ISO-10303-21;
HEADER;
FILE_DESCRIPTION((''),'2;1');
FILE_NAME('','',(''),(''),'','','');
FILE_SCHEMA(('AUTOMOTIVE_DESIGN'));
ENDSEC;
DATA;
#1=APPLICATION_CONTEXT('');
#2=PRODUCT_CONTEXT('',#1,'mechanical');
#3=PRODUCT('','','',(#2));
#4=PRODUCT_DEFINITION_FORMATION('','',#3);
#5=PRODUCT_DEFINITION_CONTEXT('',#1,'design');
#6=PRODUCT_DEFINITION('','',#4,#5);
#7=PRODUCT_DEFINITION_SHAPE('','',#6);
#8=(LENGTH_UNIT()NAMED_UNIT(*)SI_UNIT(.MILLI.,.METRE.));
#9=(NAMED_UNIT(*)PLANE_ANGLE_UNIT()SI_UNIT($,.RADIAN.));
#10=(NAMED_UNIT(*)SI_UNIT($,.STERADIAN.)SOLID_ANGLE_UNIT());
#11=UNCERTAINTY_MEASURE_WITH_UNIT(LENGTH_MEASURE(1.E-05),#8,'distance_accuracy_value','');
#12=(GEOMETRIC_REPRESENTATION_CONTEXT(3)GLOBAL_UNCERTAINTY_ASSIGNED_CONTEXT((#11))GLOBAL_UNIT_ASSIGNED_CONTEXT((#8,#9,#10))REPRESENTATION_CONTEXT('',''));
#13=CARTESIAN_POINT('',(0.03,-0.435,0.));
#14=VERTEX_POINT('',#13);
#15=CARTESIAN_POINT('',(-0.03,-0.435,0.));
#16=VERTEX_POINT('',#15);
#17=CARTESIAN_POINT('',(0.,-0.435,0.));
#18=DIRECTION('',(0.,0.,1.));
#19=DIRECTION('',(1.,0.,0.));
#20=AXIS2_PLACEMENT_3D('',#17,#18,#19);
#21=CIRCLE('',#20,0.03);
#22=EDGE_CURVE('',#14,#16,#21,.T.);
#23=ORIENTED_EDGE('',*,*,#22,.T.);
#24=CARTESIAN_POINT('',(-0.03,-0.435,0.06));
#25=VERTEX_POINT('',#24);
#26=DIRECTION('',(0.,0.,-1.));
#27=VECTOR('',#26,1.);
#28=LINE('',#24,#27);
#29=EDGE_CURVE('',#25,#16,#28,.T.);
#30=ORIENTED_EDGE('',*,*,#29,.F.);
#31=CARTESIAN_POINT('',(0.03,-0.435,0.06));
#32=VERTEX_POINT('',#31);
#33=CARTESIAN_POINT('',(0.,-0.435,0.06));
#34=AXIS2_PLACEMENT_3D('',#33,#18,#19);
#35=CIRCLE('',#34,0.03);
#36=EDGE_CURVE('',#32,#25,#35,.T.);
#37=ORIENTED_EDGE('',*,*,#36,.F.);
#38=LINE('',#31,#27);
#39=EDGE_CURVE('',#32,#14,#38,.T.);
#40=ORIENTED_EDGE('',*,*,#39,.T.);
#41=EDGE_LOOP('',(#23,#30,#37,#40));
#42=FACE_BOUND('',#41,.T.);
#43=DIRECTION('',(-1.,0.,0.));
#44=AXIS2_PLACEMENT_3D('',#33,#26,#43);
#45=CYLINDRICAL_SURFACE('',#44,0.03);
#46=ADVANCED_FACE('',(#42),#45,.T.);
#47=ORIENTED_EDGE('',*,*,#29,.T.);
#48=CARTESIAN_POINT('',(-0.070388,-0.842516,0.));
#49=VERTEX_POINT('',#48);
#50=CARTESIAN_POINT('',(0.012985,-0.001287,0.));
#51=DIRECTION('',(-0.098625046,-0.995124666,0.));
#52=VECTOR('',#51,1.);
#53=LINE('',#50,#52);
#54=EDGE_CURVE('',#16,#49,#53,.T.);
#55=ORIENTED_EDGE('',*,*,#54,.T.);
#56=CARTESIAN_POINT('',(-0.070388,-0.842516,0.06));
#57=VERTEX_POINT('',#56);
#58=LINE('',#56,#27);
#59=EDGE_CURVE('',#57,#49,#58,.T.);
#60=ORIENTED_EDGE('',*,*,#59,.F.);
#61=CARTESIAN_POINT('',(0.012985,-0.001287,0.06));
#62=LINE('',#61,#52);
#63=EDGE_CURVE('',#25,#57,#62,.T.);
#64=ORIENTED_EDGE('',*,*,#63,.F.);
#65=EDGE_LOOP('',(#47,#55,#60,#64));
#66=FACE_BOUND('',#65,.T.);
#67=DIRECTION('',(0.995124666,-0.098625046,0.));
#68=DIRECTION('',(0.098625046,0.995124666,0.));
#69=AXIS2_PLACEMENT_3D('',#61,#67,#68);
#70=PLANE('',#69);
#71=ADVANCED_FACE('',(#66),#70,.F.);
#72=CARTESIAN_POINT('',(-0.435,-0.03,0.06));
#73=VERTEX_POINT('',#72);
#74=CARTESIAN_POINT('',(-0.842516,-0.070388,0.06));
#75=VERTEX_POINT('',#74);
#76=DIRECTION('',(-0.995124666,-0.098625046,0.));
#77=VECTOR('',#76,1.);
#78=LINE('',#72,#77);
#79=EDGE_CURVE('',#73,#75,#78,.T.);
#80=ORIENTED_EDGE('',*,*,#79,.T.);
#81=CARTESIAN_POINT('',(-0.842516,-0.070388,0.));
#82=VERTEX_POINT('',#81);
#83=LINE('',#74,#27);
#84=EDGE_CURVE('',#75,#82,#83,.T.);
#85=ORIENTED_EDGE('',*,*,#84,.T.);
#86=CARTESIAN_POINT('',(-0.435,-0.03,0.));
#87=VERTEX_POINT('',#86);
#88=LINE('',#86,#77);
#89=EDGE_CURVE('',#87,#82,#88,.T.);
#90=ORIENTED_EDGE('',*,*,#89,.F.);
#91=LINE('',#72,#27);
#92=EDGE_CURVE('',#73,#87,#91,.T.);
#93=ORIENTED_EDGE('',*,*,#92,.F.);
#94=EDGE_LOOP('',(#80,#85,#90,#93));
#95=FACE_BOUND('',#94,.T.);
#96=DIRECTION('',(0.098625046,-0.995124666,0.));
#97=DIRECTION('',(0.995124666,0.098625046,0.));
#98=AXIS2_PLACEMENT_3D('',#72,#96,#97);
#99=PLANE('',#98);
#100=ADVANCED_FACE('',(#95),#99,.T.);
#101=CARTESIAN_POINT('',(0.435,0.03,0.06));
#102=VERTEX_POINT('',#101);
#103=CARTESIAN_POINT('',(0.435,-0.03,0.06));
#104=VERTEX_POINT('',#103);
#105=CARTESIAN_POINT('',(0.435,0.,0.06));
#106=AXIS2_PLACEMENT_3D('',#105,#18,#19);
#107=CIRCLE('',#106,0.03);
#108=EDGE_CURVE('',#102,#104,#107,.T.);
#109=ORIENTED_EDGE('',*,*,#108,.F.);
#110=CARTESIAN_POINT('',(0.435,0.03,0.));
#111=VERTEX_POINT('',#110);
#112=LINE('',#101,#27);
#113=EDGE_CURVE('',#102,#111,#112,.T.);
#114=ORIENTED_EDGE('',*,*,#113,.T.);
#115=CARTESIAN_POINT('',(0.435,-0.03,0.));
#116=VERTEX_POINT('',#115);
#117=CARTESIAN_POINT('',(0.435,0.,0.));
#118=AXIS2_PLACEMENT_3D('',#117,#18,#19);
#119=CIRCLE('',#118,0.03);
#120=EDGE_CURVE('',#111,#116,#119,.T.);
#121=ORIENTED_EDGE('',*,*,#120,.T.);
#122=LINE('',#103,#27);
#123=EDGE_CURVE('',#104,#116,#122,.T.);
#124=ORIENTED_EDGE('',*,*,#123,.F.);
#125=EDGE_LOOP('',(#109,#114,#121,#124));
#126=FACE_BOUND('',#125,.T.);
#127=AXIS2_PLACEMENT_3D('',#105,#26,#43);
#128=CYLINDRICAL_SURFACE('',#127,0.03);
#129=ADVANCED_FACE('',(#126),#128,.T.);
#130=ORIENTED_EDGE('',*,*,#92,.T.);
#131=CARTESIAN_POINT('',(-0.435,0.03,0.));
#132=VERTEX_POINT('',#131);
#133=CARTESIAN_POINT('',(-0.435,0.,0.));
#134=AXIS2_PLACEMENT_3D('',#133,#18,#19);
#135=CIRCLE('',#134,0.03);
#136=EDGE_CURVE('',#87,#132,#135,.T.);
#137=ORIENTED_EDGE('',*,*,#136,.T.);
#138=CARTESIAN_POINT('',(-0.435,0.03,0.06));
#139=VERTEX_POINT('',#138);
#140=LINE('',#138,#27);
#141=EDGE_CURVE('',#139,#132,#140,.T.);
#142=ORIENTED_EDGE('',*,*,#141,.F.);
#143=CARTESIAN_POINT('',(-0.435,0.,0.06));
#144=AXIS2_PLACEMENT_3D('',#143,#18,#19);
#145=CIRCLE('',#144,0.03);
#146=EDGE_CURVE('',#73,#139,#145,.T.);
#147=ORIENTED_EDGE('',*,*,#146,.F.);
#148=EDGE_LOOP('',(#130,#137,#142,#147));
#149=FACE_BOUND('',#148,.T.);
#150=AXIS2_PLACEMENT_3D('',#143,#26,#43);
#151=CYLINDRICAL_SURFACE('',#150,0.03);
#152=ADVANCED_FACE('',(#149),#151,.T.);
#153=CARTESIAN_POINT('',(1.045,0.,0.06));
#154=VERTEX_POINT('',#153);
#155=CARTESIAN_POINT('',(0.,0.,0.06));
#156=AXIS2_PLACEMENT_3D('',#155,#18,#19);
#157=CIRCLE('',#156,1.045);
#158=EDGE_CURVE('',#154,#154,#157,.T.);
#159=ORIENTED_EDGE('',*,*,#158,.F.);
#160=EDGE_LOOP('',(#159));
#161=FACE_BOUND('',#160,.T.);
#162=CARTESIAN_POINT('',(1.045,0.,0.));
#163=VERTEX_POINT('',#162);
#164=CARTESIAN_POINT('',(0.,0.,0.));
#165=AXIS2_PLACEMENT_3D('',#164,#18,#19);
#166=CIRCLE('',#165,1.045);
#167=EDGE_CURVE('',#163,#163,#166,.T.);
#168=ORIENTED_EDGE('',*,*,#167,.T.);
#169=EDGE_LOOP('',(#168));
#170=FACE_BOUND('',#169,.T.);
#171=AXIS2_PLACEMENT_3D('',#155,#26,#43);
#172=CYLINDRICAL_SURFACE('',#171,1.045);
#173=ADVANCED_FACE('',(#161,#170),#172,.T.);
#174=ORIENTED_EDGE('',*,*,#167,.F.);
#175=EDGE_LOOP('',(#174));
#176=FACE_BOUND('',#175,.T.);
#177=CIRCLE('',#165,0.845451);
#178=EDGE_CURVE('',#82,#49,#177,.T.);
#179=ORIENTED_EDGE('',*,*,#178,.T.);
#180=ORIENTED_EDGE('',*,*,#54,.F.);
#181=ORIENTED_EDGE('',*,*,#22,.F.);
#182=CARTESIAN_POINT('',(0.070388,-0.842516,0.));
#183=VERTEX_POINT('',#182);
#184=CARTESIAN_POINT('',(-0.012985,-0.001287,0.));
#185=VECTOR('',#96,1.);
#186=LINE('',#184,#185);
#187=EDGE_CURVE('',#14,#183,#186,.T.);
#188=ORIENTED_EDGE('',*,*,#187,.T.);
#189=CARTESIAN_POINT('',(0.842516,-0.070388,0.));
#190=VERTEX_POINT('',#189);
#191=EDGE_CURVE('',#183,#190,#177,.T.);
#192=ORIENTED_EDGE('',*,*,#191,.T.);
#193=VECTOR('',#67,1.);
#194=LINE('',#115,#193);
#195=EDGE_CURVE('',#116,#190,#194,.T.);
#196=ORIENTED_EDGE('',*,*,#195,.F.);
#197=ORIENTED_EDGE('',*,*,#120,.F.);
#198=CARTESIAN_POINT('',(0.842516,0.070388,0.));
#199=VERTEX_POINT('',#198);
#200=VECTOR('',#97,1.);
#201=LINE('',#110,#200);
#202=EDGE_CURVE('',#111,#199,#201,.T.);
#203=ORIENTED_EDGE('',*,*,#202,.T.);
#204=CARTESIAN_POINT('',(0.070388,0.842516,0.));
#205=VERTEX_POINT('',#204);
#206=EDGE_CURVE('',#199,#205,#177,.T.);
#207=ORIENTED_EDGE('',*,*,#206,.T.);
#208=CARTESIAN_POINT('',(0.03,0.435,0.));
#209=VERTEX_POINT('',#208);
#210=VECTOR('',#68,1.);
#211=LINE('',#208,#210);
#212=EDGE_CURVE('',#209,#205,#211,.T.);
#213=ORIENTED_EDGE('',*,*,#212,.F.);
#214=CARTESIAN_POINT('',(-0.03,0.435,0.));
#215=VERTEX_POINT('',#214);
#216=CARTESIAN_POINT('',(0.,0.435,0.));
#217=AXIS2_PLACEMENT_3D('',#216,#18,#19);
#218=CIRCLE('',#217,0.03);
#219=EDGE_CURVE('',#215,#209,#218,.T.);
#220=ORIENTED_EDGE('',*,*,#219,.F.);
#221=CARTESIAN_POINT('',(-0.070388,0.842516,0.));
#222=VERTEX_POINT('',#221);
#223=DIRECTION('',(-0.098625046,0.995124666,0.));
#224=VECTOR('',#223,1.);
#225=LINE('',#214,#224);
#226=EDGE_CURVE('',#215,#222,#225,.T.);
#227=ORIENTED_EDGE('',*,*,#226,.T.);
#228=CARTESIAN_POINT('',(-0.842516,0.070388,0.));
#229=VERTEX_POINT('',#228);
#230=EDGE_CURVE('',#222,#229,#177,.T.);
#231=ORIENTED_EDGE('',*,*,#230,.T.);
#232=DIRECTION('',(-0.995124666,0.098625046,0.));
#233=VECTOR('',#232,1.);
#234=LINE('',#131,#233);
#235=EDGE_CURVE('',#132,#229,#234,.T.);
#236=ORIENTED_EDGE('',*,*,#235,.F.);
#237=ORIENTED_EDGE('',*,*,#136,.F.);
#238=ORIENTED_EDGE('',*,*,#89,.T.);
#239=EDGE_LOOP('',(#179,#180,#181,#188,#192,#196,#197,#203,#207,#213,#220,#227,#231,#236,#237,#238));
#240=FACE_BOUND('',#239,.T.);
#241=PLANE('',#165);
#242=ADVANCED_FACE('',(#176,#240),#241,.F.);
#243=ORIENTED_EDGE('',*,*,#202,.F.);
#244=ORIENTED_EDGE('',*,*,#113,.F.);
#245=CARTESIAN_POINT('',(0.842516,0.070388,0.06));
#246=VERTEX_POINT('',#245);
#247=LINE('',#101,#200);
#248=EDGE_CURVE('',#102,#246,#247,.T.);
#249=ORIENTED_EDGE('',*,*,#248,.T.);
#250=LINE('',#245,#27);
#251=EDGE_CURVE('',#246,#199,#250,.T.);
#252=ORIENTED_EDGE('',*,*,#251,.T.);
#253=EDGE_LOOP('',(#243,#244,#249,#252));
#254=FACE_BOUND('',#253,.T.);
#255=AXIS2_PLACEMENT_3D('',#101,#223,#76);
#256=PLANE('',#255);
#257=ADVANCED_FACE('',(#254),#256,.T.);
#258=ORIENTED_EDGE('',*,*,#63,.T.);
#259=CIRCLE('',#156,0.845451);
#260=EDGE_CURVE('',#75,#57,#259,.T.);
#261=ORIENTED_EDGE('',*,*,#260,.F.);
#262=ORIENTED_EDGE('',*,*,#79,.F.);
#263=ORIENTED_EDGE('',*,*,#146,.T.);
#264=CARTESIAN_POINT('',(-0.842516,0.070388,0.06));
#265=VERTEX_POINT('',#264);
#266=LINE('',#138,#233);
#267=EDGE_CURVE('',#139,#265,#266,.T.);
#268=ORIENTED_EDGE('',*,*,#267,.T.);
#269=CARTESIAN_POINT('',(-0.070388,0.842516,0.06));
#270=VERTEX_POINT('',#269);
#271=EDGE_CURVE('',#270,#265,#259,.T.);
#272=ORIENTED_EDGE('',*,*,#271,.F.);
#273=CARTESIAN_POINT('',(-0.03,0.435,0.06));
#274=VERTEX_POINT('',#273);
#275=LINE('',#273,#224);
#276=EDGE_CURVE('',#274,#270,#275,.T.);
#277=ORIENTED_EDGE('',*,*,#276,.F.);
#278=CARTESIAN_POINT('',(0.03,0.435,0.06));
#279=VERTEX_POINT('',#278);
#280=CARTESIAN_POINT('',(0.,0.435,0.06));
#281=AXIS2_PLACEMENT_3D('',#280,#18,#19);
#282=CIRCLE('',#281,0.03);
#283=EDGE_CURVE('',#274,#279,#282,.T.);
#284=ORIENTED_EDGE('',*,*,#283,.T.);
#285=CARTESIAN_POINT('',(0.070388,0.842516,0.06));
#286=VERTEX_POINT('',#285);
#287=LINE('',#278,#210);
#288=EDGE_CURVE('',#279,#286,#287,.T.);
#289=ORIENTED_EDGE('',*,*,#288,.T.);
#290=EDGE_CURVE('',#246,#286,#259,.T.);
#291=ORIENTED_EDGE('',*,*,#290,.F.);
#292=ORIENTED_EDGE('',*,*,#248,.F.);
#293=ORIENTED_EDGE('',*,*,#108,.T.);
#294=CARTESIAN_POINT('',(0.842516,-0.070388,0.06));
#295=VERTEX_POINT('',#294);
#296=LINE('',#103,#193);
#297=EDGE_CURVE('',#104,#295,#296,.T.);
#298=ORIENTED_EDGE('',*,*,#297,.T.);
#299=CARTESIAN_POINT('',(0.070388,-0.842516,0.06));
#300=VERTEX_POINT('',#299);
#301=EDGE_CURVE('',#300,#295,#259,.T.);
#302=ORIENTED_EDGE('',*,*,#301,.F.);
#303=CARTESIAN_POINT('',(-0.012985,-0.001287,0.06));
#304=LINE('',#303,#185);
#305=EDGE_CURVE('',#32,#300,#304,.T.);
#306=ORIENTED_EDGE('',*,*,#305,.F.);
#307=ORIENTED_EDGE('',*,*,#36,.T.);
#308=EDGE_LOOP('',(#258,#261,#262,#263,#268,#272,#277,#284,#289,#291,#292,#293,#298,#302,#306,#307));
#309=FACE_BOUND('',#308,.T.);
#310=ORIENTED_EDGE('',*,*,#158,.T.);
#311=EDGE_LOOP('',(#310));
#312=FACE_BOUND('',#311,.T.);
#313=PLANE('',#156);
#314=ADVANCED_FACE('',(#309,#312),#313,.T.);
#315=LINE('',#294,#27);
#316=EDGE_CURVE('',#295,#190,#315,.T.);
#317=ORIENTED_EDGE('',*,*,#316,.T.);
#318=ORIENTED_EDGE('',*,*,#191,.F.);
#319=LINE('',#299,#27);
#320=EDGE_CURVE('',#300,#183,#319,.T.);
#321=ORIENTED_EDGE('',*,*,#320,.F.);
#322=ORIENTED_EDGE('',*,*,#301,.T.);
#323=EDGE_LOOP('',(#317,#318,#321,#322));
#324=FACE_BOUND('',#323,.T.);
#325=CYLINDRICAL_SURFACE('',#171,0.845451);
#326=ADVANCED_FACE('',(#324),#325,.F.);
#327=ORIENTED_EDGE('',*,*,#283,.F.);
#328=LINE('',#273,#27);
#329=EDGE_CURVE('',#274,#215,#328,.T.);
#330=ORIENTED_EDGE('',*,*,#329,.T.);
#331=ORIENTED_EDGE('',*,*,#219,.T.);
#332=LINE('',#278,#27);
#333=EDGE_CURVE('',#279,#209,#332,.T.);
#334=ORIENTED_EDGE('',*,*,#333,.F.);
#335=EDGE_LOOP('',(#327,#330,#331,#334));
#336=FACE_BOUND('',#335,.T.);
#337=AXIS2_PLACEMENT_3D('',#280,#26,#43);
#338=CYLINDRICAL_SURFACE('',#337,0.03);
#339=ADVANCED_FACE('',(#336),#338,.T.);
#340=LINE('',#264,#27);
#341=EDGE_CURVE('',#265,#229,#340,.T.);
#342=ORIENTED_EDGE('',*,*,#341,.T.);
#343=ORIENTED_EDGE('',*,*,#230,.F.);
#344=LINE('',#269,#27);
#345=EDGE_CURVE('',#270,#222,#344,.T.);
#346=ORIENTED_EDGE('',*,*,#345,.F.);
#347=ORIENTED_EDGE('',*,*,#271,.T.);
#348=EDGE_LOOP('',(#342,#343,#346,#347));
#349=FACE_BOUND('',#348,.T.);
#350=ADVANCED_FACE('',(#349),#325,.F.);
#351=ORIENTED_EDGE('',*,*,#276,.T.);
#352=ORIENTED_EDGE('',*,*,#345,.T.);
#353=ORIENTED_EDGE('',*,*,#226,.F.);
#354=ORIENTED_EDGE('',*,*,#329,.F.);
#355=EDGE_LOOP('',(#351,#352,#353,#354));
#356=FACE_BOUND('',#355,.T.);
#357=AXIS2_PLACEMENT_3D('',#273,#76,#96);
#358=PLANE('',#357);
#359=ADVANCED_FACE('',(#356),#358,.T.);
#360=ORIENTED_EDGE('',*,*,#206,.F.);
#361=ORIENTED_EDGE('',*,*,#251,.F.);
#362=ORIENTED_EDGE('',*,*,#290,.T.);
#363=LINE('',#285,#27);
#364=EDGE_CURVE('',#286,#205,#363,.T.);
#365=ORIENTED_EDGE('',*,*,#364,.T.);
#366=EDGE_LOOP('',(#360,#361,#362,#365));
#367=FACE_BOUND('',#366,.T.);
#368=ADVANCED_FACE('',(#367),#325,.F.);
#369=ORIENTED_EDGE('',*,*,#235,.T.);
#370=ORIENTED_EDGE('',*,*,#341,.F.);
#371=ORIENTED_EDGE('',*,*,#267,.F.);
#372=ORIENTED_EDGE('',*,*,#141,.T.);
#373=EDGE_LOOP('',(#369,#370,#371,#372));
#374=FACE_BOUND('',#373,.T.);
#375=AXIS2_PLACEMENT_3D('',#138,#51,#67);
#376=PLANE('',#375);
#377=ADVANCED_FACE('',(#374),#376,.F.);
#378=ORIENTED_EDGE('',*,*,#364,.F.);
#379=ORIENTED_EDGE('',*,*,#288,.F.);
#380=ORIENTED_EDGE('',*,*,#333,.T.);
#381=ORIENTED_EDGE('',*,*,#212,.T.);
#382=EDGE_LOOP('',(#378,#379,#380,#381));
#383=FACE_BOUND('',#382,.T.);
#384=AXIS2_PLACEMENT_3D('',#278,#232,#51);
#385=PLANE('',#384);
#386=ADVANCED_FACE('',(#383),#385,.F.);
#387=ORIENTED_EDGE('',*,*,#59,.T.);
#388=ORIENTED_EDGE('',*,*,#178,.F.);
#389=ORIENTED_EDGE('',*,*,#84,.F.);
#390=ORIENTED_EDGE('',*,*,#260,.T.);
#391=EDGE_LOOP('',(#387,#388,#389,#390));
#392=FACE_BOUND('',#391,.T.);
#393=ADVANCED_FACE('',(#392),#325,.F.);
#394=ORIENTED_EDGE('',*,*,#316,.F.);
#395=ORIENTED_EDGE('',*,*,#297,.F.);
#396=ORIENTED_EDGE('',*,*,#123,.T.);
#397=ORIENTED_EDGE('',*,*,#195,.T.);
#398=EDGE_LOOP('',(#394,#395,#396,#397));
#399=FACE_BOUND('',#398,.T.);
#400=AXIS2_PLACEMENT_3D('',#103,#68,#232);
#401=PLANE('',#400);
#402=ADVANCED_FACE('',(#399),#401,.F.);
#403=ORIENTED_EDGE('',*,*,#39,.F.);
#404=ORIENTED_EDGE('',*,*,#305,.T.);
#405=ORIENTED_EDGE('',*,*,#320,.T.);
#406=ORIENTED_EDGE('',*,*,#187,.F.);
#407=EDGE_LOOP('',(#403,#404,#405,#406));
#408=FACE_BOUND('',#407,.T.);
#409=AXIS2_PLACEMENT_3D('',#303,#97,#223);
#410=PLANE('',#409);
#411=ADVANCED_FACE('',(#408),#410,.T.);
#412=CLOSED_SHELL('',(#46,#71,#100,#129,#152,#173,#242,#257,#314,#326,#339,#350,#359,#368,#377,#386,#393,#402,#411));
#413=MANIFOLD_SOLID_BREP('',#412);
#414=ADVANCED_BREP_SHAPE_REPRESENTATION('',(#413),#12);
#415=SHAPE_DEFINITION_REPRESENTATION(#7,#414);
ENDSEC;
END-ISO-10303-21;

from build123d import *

# Parameters (mm, degrees)
SKETCH_1_R      = 1.045
EXTRUDE_1_DEPTH = 0.06


with BuildPart() as part:
    # 草圖1 → 填料-伸長1 (new body)
    with BuildSketch(Plane.XY):
        Circle(SKETCH_1_R)
        with BuildLine():
            Line((-0.070388149, 0.842515581), (-0.03, 0.435))
            ThreePointArc((-0.03, 0.435), (0, 0.405), (0.03, 0.435))
            Line((0.03, 0.435), (0.070388149, 0.842515581))
            ThreePointArc((0.070388149, 0.842515581), (0.597823969, 0.597823969), (0.842515581, 0.070388149))
            Line((0.842515581, 0.070388149), (0.435, 0.03))
            ThreePointArc((0.435, 0.03), (0.405, 0), (0.435, -0.03))
            Line((0.435, -0.03), (0.842515581, -0.070388149))
            ThreePointArc((0.842515581, -0.070388149), (0.597823969, -0.597823969), (0.070388149, -0.842515581))
            Line((0.070388149, -0.842515581), (0.03, -0.435))
            ThreePointArc((0.03, -0.435), (0, -0.405), (-0.03, -0.435))
            Line((-0.03, -0.435), (-0.070388149, -0.842515581))
            ThreePointArc((-0.070388149, -0.842515581), (-0.597823969, -0.597823969), (-0.842515581, -0.070388149))
            Line((-0.842515581, -0.070388149), (-0.435, -0.03))
            ThreePointArc((-0.435, -0.03), (-0.405, 0), (-0.435, 0.03))
            Line((-0.435, 0.03), (-0.842515581, 0.070388149))
            ThreePointArc((-0.842515581, 0.070388149), (-0.597823969, 0.597823969), (-0.070388149, 0.842515581))
        make_face(mode=Mode.SUBTRACT)
    extrude(amount=EXTRUDE_1_DEPTH)


solid = part.part
